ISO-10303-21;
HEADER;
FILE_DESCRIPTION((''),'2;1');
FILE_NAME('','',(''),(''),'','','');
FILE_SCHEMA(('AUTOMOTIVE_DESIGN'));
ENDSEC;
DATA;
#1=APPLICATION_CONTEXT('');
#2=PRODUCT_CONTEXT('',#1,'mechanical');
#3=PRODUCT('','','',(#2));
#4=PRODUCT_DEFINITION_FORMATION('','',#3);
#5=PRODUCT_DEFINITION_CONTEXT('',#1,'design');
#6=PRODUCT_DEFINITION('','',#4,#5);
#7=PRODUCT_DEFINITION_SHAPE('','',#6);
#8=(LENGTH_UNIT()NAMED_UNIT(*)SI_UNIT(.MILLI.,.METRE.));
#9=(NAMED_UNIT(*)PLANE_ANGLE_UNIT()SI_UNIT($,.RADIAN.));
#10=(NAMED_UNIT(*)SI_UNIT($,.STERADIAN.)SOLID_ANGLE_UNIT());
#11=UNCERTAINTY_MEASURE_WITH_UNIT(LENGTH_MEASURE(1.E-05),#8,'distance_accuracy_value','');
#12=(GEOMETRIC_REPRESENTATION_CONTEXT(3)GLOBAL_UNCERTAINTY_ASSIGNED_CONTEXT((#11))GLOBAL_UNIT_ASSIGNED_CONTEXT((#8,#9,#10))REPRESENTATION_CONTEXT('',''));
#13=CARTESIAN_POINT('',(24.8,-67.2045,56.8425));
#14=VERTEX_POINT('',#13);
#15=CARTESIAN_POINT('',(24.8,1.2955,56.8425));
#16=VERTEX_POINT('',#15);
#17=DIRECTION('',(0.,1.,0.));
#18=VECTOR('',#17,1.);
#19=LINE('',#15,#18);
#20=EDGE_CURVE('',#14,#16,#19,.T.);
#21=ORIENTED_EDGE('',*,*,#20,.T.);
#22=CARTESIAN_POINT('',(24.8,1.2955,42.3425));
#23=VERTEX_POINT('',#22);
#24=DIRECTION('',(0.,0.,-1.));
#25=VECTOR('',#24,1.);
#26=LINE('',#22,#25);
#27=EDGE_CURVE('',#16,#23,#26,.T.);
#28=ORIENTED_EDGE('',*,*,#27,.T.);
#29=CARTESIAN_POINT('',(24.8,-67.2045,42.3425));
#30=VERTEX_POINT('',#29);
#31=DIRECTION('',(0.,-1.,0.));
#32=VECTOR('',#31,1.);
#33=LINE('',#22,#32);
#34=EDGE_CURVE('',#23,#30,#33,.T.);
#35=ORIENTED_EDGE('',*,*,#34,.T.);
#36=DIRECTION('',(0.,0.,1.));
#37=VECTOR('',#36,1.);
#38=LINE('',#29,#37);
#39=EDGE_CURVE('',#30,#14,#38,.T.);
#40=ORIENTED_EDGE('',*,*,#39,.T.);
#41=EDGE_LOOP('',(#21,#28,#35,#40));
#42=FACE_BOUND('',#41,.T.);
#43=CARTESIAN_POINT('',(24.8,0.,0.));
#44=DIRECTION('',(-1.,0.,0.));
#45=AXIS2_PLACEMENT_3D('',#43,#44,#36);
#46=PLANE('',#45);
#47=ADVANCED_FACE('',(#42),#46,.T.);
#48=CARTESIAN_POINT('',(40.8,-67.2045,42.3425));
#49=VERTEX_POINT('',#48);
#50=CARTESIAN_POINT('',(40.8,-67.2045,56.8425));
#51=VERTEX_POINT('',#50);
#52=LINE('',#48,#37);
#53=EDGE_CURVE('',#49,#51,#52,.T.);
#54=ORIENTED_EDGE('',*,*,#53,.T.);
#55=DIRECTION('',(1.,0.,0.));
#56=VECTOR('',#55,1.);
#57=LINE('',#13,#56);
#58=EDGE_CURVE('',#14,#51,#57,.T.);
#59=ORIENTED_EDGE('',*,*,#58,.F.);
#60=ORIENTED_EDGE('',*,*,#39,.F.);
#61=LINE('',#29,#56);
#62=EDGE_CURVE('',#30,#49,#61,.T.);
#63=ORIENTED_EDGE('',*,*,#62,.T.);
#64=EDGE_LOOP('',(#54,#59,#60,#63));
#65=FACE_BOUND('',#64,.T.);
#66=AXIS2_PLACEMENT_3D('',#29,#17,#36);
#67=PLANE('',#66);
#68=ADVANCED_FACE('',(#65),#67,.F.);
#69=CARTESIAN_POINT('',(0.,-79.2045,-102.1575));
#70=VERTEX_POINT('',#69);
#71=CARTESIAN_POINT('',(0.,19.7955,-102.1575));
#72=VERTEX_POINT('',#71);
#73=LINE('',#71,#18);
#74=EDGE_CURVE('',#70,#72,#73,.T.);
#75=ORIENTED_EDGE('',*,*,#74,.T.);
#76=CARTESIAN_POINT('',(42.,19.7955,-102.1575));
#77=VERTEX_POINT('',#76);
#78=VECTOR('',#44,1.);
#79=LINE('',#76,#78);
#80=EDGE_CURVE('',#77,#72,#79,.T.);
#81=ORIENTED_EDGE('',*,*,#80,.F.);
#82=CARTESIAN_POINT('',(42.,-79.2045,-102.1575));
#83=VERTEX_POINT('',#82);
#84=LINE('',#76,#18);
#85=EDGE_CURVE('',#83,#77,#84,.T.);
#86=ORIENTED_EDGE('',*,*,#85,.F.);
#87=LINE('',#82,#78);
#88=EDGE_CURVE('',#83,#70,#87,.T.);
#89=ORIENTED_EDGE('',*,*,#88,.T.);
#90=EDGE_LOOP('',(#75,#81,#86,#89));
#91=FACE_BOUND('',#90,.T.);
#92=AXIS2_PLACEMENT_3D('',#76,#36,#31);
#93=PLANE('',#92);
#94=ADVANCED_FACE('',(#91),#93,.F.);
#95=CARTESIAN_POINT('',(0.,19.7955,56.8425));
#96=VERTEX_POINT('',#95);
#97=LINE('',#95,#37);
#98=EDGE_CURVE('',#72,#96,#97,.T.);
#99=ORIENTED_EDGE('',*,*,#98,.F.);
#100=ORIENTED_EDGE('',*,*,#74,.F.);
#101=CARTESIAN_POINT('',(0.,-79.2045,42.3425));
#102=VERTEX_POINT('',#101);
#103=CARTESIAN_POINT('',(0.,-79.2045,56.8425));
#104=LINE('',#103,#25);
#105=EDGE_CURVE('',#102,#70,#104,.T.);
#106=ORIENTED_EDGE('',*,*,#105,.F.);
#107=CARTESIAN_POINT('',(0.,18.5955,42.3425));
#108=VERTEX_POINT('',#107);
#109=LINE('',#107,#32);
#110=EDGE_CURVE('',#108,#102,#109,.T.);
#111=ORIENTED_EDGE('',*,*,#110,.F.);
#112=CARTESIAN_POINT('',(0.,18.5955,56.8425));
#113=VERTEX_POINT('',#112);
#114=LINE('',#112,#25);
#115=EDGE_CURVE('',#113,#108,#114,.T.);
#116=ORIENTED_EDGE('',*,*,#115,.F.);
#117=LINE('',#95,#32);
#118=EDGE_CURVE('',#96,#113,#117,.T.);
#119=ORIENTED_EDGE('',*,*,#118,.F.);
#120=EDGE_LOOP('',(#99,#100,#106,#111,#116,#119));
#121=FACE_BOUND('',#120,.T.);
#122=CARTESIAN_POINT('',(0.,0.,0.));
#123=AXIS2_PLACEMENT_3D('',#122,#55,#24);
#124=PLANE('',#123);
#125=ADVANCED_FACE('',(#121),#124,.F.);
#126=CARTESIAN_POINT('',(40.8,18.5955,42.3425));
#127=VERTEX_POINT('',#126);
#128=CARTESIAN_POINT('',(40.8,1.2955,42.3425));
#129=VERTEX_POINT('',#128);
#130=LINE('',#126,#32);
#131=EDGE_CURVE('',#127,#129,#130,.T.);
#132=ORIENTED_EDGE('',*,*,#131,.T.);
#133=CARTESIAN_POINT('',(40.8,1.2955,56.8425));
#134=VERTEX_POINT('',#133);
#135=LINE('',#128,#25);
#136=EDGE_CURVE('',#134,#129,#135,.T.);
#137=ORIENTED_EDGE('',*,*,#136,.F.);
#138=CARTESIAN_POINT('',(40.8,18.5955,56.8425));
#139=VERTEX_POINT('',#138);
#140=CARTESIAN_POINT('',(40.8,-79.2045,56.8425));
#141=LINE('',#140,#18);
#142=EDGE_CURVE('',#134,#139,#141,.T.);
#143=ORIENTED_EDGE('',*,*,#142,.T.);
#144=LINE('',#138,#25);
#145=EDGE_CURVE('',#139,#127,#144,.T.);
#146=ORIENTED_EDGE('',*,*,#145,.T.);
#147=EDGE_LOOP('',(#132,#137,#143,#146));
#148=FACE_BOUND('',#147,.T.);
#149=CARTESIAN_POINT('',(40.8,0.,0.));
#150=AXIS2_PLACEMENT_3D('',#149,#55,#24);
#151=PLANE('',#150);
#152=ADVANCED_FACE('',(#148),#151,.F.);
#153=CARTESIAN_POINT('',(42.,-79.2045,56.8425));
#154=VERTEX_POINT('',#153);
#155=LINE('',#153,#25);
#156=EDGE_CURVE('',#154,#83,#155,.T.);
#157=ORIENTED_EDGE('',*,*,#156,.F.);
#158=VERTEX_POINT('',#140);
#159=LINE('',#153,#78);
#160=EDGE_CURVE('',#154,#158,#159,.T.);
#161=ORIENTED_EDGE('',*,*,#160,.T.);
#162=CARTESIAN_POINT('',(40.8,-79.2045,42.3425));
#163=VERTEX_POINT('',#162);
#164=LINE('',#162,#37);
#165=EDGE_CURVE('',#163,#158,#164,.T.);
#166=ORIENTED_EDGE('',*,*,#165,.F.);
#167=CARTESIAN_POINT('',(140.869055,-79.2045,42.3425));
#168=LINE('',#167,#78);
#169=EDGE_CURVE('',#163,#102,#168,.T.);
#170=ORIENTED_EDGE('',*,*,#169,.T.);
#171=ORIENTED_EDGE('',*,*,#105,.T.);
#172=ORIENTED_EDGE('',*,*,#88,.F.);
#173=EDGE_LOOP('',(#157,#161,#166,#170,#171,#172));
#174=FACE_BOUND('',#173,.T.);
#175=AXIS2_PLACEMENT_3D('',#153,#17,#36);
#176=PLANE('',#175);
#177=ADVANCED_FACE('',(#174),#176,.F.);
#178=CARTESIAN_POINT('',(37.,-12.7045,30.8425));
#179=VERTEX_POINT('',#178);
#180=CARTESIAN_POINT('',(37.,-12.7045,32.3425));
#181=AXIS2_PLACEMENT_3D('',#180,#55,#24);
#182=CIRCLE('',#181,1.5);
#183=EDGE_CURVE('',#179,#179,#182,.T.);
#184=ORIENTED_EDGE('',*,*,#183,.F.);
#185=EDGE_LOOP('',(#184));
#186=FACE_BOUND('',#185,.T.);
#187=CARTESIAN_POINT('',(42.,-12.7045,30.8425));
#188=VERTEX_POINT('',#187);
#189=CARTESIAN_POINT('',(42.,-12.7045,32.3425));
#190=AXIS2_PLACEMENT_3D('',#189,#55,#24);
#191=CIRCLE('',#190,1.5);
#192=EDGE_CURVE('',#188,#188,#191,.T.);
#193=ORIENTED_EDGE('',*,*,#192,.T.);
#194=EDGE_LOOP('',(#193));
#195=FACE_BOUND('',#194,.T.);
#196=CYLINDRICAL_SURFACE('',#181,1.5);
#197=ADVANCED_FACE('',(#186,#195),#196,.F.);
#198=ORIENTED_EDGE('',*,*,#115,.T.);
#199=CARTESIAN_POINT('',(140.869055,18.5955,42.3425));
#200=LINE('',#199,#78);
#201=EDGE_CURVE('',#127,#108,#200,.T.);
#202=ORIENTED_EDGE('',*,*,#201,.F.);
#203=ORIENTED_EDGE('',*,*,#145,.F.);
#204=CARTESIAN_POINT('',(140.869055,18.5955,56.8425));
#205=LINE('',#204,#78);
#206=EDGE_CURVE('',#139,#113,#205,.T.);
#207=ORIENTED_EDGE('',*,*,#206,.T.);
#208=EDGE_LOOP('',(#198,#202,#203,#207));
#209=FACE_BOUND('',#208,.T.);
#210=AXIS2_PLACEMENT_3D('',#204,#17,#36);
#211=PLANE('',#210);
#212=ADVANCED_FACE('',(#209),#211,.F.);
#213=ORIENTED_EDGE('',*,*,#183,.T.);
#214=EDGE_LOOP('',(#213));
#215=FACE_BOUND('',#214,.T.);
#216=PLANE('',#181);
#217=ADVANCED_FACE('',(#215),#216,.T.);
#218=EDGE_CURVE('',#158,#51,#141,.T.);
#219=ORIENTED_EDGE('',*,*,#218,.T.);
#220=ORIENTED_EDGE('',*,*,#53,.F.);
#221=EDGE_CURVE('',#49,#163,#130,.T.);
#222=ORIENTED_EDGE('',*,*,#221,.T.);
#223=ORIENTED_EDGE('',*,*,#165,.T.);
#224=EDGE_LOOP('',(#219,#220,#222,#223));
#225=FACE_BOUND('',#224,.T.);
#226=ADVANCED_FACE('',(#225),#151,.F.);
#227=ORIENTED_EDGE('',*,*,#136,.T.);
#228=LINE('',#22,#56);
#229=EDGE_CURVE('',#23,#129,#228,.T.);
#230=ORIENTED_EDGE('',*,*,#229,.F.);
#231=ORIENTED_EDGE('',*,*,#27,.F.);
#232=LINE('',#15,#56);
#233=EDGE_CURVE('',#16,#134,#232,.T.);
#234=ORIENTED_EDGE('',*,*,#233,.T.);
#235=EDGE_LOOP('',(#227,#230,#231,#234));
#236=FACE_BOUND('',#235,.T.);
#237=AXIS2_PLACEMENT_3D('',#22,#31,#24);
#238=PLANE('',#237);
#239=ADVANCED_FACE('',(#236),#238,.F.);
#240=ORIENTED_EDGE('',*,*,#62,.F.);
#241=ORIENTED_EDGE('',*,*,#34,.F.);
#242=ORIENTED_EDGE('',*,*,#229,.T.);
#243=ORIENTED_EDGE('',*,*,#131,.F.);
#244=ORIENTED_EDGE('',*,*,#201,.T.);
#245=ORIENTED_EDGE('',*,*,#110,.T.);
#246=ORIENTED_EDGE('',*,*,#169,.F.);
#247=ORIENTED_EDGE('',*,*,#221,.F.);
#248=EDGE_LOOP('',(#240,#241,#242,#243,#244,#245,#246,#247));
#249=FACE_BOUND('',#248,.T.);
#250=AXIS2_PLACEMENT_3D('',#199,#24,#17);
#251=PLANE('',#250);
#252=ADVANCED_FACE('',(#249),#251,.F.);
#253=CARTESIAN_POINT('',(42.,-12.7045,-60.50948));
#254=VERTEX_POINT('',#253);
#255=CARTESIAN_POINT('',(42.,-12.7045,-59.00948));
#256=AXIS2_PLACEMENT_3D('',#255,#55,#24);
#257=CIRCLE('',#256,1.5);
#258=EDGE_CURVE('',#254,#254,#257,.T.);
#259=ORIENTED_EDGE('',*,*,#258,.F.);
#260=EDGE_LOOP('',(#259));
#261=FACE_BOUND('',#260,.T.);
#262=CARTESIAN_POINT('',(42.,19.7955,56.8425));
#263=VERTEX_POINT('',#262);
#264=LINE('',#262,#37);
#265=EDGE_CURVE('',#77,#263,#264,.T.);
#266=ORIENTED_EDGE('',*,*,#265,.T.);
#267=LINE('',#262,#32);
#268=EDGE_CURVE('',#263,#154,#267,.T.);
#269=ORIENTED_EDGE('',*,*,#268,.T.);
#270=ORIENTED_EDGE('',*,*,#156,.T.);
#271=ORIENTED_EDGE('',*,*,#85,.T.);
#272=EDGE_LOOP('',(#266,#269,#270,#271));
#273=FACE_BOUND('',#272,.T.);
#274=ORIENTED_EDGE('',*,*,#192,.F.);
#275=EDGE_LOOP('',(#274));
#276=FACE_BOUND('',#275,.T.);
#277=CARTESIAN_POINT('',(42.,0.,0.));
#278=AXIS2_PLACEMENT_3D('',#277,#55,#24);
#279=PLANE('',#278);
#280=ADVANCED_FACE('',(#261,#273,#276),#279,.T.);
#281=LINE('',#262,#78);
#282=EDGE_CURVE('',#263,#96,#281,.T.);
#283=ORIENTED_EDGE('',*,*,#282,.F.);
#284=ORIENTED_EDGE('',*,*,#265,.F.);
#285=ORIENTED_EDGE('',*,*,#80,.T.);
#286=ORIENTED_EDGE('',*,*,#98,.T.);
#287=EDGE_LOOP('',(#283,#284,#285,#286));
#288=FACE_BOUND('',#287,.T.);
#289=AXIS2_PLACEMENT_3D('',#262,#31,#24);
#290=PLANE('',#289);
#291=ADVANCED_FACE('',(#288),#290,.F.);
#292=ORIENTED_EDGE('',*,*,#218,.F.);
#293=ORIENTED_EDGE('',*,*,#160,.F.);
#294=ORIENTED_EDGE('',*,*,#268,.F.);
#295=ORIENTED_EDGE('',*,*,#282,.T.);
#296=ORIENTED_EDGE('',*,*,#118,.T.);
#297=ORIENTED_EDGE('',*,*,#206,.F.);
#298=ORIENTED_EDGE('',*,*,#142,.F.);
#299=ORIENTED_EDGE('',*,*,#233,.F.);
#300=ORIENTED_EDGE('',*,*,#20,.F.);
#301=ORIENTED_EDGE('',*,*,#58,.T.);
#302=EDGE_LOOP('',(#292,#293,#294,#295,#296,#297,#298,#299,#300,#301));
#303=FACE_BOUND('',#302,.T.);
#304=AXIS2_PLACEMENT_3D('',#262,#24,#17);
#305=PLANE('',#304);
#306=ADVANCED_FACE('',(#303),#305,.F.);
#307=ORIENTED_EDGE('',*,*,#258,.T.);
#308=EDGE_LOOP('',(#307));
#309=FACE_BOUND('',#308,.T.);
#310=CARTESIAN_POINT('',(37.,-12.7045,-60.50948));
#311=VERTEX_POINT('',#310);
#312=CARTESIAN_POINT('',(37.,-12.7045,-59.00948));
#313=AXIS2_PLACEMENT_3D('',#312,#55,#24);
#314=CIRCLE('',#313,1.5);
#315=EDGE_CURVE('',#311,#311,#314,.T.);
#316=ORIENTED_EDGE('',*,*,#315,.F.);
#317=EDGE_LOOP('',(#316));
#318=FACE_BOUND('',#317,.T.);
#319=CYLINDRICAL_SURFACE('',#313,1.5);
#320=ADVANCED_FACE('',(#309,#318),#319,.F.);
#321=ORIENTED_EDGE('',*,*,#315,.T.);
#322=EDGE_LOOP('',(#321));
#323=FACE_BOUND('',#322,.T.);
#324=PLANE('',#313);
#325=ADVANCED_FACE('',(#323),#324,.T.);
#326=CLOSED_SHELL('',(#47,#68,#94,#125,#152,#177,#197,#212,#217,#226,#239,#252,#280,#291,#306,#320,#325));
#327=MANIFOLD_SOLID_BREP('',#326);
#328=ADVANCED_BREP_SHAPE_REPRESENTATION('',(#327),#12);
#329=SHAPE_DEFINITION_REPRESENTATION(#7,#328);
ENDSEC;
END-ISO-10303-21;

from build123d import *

# Parameters (mm, degrees)
SKETCH1_W           = 159
SKETCH1_H           = 99
BOSS_EXTRUDE1_DEPTH = 42
SKETCH2_W           = 14.5
SKETCH2_H           = 97.8
CUT_EXTRUDE1_DEPTH  = 40.8
SKETCH3_W           = 14.5
SKETCH3_H           = 68.5
BOSS_EXTRUDE2_DEPTH = 16
SKETCH5_R           = 1.5
CUT_EXTRUDE2_DEPTH  = 5


with BuildPart() as part:
    # Sketch1 → Boss-Extrude1 (new body)
    with BuildSketch(Plane(origin=(0, 0, 0), x_dir=(0, 0, -1), z_dir=(1, 0, 0))):
        with Locations((22.6575, -29.7045)):
            Rectangle(SKETCH1_W, SKETCH1_H)
    extrude(amount=BOSS_EXTRUDE1_DEPTH)

    # Sketch2 → Cut-Extrude1 (cut)
    with BuildSketch(Plane.ZY):
        with Locations((49.5925, -30.3045)):
            Rectangle(SKETCH2_W, SKETCH2_H)
    extrude(amount=-CUT_EXTRUDE1_DEPTH, mode=Mode.SUBTRACT)

    # Sketch3 → Boss-Extrude2 (add)
    with BuildSketch(Plane.ZY.offset(-40.8)):
        with Locations((49.5925, -32.9545)):
            Rectangle(SKETCH3_W, SKETCH3_H)
    extrude(amount=BOSS_EXTRUDE2_DEPTH)

    # Sketch5 → Cut-Extrude2 (cut)
    with BuildSketch(Plane(origin=(42, 0, 0), x_dir=(0, 0, -1), z_dir=(1, 0, 0))):
        with Locations((-32.3425, -12.7045)):
            Circle(SKETCH5_R)
        with Locations((59.009480141, -12.7045)):
            Circle(SKETCH5_R)
    extrude(amount=-CUT_EXTRUDE2_DEPTH, mode=Mode.SUBTRACT)


solid = part.part
